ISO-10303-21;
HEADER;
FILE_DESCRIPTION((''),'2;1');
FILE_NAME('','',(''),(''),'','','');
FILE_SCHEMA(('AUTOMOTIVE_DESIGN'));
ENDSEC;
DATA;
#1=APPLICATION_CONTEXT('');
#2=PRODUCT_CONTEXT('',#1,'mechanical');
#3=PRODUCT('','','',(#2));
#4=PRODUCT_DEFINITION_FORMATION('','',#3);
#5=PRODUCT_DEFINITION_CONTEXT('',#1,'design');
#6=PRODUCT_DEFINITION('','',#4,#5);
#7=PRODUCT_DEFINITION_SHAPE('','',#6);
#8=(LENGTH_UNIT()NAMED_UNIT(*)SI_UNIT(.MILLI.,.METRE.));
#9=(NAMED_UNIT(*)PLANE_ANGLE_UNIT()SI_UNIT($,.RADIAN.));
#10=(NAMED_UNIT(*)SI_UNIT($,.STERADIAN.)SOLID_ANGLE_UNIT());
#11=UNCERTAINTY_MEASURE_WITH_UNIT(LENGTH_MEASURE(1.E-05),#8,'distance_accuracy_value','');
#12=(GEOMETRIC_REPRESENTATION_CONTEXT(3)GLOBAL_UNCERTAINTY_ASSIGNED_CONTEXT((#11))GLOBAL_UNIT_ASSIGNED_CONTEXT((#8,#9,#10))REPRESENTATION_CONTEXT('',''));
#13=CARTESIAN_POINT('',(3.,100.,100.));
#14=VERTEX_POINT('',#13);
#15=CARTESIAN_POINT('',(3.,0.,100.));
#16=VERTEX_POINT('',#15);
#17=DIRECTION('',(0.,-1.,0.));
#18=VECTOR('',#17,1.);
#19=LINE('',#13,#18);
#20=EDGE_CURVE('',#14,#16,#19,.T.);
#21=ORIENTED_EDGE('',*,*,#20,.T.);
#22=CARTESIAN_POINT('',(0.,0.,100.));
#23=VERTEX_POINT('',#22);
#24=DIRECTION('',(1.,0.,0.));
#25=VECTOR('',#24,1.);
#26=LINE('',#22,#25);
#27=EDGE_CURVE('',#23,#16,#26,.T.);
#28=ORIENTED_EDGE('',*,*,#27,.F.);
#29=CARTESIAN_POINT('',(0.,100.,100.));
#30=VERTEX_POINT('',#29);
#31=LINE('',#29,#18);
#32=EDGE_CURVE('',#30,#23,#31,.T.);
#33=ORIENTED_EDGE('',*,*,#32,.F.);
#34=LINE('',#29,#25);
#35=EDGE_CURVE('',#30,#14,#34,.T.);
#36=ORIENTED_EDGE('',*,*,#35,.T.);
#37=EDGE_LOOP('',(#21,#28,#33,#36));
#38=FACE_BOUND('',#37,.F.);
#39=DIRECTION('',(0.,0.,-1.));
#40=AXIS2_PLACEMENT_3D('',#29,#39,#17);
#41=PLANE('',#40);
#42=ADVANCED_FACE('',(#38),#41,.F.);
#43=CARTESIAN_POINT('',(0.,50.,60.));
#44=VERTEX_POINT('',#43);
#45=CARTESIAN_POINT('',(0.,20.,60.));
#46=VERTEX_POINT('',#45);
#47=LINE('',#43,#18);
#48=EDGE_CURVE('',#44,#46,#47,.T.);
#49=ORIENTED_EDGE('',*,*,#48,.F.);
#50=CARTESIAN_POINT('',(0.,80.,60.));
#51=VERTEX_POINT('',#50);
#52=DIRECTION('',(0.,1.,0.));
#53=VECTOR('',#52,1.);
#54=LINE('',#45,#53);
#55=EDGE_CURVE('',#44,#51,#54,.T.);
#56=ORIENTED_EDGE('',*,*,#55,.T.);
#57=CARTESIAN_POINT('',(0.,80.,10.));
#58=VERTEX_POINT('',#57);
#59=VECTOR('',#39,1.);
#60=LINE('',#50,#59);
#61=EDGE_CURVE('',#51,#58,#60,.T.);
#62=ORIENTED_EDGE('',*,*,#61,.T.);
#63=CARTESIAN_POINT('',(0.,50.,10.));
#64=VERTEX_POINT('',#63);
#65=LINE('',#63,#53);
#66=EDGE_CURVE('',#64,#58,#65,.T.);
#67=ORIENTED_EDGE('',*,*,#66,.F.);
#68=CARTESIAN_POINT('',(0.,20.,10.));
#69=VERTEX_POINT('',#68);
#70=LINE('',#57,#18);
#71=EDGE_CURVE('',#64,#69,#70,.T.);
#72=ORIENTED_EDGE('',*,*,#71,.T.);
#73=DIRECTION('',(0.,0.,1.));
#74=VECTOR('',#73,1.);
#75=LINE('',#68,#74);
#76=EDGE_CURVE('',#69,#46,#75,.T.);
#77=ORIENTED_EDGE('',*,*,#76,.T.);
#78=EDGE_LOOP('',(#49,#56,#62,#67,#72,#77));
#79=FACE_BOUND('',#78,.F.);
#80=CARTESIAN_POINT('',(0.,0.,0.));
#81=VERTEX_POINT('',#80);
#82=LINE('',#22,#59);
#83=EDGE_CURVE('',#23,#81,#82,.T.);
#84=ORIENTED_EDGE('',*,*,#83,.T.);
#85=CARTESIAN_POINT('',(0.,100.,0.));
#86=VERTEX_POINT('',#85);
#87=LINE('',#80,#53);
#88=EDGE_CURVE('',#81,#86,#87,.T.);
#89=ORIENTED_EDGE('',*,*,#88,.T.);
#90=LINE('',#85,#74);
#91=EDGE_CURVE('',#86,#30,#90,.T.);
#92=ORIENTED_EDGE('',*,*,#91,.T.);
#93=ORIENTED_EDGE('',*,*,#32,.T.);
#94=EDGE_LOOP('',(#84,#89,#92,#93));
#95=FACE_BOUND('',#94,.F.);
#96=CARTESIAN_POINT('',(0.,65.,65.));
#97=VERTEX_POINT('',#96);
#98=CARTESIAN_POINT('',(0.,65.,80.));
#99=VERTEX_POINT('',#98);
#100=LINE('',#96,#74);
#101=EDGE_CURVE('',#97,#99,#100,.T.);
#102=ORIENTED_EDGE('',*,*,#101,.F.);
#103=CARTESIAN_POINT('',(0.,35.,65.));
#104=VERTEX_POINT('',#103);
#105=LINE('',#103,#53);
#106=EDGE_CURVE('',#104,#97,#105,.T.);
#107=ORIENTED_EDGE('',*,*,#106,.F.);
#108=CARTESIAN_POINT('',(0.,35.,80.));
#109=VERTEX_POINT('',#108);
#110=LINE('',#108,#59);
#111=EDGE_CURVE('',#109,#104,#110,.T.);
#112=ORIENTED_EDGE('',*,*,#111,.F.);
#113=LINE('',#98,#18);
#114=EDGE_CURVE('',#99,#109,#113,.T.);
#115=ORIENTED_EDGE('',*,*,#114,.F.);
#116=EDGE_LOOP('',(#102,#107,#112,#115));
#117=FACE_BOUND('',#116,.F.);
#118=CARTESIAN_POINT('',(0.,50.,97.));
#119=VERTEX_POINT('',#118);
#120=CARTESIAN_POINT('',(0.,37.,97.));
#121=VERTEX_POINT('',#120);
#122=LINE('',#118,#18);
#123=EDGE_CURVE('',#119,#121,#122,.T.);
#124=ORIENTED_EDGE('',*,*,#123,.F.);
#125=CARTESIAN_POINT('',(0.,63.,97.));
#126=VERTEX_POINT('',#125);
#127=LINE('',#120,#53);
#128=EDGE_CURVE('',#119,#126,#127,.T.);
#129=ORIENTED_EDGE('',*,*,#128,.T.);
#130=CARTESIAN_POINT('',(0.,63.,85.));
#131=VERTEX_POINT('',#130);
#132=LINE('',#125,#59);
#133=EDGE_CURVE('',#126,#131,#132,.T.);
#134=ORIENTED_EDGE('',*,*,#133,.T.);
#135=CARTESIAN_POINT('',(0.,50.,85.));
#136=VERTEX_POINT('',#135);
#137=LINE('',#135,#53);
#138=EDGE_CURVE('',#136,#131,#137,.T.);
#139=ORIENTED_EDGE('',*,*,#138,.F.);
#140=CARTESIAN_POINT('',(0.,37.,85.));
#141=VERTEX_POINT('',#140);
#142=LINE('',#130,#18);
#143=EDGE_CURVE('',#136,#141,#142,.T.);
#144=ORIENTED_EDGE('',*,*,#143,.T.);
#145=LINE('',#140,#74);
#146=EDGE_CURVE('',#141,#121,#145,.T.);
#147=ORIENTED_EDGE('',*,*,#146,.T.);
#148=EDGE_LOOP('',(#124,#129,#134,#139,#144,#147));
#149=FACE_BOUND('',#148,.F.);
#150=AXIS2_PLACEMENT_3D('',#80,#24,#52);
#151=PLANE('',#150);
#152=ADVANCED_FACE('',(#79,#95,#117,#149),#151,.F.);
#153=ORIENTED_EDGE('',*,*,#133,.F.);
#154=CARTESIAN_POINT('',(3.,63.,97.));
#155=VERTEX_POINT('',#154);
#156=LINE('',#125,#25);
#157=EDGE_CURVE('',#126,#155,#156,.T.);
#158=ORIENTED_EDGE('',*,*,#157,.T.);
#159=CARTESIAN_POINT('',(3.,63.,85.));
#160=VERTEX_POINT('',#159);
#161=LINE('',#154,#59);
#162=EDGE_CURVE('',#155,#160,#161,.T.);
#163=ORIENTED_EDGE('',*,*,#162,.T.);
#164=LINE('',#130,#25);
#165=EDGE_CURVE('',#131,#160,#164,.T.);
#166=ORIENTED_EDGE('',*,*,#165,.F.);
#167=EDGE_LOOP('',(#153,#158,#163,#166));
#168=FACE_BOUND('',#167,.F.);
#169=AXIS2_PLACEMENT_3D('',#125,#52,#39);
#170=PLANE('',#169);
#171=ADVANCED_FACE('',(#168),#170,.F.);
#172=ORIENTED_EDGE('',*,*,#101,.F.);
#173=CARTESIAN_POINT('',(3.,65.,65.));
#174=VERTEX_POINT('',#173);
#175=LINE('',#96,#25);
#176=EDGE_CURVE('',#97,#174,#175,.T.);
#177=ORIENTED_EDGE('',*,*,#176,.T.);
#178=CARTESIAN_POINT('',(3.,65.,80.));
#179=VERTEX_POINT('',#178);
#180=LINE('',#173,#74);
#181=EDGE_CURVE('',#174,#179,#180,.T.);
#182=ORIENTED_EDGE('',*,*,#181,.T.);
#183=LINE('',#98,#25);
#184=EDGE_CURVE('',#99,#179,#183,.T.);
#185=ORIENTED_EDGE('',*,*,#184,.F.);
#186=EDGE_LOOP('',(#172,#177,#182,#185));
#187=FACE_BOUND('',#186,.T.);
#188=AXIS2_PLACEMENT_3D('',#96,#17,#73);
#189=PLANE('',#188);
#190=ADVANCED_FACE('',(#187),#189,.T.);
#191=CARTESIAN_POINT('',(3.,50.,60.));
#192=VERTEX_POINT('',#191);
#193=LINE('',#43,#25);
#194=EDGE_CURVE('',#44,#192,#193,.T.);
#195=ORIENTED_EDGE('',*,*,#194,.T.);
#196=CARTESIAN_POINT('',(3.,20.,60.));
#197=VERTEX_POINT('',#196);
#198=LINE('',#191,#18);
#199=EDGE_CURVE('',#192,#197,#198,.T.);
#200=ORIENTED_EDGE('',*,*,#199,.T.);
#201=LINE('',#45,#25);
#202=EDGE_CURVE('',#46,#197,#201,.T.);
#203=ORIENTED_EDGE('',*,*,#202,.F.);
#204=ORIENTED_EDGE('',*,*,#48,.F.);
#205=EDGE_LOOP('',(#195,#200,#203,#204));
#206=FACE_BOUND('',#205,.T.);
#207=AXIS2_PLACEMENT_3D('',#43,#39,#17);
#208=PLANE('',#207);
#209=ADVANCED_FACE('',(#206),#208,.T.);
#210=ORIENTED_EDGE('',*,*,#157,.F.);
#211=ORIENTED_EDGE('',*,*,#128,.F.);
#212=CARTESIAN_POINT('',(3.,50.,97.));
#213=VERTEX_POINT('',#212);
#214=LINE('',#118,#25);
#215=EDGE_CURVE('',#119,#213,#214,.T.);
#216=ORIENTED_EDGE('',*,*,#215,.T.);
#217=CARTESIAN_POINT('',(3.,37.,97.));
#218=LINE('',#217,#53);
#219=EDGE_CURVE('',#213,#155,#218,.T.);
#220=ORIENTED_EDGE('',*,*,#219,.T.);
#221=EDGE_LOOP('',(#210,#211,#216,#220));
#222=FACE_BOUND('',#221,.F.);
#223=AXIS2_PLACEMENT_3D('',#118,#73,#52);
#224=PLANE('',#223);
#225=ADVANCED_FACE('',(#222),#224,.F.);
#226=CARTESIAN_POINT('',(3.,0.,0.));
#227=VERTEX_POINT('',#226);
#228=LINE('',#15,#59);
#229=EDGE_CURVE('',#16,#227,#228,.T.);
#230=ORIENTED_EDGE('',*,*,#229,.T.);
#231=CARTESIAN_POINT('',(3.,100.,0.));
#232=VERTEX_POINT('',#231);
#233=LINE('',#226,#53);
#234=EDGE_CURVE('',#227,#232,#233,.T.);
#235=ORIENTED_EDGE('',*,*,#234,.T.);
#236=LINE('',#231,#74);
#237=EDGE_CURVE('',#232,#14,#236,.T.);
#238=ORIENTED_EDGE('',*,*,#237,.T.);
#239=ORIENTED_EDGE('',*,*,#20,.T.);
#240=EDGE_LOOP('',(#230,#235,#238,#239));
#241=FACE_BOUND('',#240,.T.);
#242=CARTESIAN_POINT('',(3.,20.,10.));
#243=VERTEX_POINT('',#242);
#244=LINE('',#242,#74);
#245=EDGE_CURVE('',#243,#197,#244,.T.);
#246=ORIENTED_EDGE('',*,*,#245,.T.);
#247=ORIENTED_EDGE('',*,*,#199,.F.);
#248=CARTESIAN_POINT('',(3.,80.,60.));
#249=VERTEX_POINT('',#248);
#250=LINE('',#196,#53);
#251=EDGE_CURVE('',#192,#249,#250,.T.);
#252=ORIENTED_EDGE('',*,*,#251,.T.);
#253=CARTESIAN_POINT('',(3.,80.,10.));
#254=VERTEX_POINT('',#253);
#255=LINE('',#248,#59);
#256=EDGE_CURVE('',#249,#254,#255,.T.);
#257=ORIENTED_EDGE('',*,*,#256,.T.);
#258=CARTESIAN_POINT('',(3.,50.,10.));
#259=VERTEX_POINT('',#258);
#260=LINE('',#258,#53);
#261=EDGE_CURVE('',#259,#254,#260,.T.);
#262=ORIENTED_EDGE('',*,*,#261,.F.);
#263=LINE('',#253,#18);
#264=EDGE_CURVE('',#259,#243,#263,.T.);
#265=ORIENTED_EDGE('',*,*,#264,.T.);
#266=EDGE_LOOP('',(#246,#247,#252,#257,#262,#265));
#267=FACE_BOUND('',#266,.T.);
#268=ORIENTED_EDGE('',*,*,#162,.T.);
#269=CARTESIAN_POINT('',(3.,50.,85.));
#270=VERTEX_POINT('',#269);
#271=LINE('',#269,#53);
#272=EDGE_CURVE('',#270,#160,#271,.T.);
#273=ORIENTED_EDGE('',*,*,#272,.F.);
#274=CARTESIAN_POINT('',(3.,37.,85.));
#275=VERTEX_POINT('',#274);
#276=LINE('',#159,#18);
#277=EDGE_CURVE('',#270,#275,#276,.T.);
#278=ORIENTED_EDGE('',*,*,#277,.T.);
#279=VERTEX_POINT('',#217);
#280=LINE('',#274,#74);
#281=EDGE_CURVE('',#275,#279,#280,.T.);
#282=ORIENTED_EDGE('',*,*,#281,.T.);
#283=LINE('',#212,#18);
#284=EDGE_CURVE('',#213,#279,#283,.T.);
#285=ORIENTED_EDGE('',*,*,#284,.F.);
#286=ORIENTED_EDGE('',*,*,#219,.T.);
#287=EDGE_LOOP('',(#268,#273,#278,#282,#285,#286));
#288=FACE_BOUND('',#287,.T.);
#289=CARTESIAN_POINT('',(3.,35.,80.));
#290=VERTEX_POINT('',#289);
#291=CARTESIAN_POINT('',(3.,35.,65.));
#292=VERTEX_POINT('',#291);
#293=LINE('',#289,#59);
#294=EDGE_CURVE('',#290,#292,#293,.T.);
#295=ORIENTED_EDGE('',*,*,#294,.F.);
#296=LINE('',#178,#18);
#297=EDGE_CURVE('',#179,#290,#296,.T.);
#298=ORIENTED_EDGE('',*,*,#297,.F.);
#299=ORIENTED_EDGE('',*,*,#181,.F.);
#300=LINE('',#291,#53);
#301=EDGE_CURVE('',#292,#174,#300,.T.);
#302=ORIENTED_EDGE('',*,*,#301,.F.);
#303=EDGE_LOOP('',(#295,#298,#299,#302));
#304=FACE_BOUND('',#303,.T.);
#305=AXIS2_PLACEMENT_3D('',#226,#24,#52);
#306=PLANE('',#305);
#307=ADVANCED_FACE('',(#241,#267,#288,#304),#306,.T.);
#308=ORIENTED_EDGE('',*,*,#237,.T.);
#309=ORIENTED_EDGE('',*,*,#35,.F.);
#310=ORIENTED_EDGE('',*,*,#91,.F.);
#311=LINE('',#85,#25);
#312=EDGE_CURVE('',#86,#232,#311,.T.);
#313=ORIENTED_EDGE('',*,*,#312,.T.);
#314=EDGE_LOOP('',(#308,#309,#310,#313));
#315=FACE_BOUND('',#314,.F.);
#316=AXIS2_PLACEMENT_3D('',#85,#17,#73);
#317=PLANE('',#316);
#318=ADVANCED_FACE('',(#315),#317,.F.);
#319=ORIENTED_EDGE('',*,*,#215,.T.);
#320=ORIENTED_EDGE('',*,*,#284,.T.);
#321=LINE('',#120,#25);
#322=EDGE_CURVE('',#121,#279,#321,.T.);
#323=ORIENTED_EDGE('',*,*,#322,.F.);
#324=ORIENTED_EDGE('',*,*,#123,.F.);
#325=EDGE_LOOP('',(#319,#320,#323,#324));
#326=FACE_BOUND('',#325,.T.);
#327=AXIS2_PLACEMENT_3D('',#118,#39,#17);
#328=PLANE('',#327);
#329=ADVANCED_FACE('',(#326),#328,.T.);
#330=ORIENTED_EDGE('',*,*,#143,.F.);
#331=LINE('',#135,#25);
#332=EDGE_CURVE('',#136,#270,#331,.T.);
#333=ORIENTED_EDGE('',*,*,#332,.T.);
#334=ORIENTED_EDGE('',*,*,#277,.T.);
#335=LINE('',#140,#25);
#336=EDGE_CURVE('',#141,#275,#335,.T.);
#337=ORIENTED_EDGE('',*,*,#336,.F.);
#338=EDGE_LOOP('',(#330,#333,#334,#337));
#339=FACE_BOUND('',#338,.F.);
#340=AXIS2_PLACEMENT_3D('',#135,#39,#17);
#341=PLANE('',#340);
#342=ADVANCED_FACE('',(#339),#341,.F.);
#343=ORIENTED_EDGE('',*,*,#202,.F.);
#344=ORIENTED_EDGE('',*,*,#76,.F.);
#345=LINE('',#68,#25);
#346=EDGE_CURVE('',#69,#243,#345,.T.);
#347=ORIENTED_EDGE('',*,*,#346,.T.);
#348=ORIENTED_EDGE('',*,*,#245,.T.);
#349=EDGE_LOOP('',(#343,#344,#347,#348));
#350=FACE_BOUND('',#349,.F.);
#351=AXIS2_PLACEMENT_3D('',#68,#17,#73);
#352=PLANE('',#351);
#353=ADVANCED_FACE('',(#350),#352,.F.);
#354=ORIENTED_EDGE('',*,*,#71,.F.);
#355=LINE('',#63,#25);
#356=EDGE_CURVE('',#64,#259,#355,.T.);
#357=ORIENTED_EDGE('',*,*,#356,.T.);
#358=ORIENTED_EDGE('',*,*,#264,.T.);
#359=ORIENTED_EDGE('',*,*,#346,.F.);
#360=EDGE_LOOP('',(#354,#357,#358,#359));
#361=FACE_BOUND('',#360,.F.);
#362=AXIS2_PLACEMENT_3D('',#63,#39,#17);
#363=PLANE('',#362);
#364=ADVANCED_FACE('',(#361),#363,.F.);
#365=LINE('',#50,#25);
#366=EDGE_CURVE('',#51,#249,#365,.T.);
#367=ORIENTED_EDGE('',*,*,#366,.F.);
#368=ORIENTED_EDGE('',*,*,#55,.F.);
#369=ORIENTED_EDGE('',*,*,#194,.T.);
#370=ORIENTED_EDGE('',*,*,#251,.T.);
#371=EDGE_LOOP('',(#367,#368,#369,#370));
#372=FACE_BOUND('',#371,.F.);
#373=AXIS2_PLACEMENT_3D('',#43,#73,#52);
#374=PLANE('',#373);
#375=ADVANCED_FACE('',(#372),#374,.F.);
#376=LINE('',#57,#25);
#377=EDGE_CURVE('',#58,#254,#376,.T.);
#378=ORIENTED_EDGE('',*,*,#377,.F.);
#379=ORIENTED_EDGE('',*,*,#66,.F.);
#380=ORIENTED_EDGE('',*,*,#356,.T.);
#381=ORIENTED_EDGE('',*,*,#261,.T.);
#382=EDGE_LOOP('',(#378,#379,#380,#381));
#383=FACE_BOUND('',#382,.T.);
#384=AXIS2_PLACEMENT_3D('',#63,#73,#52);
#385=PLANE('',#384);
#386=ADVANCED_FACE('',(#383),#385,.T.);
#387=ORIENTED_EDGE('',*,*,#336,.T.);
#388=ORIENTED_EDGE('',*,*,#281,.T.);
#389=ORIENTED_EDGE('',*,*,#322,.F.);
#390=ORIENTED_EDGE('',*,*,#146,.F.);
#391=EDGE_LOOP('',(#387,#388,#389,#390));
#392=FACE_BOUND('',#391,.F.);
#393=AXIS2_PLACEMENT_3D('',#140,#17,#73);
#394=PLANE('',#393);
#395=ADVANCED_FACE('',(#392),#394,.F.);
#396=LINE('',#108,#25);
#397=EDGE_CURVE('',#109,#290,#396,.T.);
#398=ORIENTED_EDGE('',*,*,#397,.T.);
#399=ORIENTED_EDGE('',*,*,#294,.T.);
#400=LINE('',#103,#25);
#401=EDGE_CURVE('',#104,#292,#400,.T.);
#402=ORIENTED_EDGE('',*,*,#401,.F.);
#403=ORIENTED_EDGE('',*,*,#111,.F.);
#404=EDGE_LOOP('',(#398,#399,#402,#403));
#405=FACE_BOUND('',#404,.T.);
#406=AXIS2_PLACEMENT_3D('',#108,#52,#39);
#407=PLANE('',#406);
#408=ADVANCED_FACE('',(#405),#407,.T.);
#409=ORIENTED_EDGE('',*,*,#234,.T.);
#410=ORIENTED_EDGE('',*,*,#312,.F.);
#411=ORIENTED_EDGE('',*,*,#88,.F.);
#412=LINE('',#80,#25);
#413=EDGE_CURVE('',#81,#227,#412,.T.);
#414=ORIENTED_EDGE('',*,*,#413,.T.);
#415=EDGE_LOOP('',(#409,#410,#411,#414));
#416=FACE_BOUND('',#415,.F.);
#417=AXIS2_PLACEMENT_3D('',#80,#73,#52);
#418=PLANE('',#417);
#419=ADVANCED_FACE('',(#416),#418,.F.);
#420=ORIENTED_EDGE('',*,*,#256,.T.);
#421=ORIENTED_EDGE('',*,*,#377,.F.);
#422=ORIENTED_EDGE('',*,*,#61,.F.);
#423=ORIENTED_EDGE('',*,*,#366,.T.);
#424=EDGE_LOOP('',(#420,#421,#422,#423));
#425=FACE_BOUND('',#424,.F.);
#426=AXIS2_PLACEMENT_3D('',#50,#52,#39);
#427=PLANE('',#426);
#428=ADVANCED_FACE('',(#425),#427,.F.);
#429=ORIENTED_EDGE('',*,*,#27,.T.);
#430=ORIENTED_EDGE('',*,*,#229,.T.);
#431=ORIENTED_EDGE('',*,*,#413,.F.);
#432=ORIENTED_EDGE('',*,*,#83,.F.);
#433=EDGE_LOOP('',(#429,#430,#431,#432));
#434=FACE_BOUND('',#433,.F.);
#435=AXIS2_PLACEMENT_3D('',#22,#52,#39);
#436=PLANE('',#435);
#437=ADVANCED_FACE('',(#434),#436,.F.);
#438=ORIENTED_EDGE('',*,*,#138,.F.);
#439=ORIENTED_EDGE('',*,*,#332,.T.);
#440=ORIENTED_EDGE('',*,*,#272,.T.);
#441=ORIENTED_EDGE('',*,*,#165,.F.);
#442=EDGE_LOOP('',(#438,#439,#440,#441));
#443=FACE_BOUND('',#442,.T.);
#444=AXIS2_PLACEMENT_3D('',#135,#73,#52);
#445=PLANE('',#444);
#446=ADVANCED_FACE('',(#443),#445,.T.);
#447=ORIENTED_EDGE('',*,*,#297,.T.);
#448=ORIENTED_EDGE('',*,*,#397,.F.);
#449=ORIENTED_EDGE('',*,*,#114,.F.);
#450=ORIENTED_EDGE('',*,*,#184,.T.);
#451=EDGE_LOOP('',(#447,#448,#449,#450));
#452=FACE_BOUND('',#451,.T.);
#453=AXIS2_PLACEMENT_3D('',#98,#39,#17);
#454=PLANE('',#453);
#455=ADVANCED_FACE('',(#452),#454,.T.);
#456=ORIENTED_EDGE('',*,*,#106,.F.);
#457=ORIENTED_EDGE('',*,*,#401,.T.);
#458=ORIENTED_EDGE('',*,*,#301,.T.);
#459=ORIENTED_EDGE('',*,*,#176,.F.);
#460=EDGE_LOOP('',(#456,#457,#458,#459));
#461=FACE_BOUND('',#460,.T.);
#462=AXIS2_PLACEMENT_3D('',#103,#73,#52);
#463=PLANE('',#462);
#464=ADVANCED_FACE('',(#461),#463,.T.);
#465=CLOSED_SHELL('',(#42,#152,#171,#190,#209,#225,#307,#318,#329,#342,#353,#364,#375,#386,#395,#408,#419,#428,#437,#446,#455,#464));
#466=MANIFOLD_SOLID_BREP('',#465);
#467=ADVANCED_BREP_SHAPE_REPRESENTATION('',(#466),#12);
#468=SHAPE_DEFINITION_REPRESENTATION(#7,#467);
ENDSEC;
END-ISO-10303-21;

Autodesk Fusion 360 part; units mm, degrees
sketch "Sketch1" plane through (0, 0, 0) normal (1, 0, 0) x (0, 1, 0)
  line L0 (0, 0) -> (100, 0)
  line L1 (100, 0) -> (100, 100)
  line L2 (100, 100) -> (0, 100)
  line L3 (0, 100) -> (0, 0)
  line L4 (50, 10) -> (80, 10)
  line L5 (50, 60) -> (20, 60)
  line L6 (20, 60) -> (80, 60)
  line L7 (80, 60) -> (80, 10)
  line L8 (80, 10) -> (20, 10)
  line L9 (20, 10) -> (20, 60)
  line L10 (35, 65) -> (65, 65)
  line L11 (65, 65) -> (65, 80)
  line L12 (65, 80) -> (35, 80)
  line L13 (35, 80) -> (35, 65)
  line L14 (50, 85) -> (63, 85)
  line L15 (50, 97) -> (37, 97)
  line L16 (37, 97) -> (63, 97)
  line L17 (63, 97) -> (63, 85)
  line L18 (63, 85) -> (37, 85)
  line L19 (37, 85) -> (37, 97)
  dimension "d1" = 100
  dimension "d2" = 100
  dimension "d4" = 30
  dimension "d5" = 13
  dimension "d6" = 12
  dimension "d7" = 13
extrude "Extrude1" add sketch "Sketch1" along normal blind 3
